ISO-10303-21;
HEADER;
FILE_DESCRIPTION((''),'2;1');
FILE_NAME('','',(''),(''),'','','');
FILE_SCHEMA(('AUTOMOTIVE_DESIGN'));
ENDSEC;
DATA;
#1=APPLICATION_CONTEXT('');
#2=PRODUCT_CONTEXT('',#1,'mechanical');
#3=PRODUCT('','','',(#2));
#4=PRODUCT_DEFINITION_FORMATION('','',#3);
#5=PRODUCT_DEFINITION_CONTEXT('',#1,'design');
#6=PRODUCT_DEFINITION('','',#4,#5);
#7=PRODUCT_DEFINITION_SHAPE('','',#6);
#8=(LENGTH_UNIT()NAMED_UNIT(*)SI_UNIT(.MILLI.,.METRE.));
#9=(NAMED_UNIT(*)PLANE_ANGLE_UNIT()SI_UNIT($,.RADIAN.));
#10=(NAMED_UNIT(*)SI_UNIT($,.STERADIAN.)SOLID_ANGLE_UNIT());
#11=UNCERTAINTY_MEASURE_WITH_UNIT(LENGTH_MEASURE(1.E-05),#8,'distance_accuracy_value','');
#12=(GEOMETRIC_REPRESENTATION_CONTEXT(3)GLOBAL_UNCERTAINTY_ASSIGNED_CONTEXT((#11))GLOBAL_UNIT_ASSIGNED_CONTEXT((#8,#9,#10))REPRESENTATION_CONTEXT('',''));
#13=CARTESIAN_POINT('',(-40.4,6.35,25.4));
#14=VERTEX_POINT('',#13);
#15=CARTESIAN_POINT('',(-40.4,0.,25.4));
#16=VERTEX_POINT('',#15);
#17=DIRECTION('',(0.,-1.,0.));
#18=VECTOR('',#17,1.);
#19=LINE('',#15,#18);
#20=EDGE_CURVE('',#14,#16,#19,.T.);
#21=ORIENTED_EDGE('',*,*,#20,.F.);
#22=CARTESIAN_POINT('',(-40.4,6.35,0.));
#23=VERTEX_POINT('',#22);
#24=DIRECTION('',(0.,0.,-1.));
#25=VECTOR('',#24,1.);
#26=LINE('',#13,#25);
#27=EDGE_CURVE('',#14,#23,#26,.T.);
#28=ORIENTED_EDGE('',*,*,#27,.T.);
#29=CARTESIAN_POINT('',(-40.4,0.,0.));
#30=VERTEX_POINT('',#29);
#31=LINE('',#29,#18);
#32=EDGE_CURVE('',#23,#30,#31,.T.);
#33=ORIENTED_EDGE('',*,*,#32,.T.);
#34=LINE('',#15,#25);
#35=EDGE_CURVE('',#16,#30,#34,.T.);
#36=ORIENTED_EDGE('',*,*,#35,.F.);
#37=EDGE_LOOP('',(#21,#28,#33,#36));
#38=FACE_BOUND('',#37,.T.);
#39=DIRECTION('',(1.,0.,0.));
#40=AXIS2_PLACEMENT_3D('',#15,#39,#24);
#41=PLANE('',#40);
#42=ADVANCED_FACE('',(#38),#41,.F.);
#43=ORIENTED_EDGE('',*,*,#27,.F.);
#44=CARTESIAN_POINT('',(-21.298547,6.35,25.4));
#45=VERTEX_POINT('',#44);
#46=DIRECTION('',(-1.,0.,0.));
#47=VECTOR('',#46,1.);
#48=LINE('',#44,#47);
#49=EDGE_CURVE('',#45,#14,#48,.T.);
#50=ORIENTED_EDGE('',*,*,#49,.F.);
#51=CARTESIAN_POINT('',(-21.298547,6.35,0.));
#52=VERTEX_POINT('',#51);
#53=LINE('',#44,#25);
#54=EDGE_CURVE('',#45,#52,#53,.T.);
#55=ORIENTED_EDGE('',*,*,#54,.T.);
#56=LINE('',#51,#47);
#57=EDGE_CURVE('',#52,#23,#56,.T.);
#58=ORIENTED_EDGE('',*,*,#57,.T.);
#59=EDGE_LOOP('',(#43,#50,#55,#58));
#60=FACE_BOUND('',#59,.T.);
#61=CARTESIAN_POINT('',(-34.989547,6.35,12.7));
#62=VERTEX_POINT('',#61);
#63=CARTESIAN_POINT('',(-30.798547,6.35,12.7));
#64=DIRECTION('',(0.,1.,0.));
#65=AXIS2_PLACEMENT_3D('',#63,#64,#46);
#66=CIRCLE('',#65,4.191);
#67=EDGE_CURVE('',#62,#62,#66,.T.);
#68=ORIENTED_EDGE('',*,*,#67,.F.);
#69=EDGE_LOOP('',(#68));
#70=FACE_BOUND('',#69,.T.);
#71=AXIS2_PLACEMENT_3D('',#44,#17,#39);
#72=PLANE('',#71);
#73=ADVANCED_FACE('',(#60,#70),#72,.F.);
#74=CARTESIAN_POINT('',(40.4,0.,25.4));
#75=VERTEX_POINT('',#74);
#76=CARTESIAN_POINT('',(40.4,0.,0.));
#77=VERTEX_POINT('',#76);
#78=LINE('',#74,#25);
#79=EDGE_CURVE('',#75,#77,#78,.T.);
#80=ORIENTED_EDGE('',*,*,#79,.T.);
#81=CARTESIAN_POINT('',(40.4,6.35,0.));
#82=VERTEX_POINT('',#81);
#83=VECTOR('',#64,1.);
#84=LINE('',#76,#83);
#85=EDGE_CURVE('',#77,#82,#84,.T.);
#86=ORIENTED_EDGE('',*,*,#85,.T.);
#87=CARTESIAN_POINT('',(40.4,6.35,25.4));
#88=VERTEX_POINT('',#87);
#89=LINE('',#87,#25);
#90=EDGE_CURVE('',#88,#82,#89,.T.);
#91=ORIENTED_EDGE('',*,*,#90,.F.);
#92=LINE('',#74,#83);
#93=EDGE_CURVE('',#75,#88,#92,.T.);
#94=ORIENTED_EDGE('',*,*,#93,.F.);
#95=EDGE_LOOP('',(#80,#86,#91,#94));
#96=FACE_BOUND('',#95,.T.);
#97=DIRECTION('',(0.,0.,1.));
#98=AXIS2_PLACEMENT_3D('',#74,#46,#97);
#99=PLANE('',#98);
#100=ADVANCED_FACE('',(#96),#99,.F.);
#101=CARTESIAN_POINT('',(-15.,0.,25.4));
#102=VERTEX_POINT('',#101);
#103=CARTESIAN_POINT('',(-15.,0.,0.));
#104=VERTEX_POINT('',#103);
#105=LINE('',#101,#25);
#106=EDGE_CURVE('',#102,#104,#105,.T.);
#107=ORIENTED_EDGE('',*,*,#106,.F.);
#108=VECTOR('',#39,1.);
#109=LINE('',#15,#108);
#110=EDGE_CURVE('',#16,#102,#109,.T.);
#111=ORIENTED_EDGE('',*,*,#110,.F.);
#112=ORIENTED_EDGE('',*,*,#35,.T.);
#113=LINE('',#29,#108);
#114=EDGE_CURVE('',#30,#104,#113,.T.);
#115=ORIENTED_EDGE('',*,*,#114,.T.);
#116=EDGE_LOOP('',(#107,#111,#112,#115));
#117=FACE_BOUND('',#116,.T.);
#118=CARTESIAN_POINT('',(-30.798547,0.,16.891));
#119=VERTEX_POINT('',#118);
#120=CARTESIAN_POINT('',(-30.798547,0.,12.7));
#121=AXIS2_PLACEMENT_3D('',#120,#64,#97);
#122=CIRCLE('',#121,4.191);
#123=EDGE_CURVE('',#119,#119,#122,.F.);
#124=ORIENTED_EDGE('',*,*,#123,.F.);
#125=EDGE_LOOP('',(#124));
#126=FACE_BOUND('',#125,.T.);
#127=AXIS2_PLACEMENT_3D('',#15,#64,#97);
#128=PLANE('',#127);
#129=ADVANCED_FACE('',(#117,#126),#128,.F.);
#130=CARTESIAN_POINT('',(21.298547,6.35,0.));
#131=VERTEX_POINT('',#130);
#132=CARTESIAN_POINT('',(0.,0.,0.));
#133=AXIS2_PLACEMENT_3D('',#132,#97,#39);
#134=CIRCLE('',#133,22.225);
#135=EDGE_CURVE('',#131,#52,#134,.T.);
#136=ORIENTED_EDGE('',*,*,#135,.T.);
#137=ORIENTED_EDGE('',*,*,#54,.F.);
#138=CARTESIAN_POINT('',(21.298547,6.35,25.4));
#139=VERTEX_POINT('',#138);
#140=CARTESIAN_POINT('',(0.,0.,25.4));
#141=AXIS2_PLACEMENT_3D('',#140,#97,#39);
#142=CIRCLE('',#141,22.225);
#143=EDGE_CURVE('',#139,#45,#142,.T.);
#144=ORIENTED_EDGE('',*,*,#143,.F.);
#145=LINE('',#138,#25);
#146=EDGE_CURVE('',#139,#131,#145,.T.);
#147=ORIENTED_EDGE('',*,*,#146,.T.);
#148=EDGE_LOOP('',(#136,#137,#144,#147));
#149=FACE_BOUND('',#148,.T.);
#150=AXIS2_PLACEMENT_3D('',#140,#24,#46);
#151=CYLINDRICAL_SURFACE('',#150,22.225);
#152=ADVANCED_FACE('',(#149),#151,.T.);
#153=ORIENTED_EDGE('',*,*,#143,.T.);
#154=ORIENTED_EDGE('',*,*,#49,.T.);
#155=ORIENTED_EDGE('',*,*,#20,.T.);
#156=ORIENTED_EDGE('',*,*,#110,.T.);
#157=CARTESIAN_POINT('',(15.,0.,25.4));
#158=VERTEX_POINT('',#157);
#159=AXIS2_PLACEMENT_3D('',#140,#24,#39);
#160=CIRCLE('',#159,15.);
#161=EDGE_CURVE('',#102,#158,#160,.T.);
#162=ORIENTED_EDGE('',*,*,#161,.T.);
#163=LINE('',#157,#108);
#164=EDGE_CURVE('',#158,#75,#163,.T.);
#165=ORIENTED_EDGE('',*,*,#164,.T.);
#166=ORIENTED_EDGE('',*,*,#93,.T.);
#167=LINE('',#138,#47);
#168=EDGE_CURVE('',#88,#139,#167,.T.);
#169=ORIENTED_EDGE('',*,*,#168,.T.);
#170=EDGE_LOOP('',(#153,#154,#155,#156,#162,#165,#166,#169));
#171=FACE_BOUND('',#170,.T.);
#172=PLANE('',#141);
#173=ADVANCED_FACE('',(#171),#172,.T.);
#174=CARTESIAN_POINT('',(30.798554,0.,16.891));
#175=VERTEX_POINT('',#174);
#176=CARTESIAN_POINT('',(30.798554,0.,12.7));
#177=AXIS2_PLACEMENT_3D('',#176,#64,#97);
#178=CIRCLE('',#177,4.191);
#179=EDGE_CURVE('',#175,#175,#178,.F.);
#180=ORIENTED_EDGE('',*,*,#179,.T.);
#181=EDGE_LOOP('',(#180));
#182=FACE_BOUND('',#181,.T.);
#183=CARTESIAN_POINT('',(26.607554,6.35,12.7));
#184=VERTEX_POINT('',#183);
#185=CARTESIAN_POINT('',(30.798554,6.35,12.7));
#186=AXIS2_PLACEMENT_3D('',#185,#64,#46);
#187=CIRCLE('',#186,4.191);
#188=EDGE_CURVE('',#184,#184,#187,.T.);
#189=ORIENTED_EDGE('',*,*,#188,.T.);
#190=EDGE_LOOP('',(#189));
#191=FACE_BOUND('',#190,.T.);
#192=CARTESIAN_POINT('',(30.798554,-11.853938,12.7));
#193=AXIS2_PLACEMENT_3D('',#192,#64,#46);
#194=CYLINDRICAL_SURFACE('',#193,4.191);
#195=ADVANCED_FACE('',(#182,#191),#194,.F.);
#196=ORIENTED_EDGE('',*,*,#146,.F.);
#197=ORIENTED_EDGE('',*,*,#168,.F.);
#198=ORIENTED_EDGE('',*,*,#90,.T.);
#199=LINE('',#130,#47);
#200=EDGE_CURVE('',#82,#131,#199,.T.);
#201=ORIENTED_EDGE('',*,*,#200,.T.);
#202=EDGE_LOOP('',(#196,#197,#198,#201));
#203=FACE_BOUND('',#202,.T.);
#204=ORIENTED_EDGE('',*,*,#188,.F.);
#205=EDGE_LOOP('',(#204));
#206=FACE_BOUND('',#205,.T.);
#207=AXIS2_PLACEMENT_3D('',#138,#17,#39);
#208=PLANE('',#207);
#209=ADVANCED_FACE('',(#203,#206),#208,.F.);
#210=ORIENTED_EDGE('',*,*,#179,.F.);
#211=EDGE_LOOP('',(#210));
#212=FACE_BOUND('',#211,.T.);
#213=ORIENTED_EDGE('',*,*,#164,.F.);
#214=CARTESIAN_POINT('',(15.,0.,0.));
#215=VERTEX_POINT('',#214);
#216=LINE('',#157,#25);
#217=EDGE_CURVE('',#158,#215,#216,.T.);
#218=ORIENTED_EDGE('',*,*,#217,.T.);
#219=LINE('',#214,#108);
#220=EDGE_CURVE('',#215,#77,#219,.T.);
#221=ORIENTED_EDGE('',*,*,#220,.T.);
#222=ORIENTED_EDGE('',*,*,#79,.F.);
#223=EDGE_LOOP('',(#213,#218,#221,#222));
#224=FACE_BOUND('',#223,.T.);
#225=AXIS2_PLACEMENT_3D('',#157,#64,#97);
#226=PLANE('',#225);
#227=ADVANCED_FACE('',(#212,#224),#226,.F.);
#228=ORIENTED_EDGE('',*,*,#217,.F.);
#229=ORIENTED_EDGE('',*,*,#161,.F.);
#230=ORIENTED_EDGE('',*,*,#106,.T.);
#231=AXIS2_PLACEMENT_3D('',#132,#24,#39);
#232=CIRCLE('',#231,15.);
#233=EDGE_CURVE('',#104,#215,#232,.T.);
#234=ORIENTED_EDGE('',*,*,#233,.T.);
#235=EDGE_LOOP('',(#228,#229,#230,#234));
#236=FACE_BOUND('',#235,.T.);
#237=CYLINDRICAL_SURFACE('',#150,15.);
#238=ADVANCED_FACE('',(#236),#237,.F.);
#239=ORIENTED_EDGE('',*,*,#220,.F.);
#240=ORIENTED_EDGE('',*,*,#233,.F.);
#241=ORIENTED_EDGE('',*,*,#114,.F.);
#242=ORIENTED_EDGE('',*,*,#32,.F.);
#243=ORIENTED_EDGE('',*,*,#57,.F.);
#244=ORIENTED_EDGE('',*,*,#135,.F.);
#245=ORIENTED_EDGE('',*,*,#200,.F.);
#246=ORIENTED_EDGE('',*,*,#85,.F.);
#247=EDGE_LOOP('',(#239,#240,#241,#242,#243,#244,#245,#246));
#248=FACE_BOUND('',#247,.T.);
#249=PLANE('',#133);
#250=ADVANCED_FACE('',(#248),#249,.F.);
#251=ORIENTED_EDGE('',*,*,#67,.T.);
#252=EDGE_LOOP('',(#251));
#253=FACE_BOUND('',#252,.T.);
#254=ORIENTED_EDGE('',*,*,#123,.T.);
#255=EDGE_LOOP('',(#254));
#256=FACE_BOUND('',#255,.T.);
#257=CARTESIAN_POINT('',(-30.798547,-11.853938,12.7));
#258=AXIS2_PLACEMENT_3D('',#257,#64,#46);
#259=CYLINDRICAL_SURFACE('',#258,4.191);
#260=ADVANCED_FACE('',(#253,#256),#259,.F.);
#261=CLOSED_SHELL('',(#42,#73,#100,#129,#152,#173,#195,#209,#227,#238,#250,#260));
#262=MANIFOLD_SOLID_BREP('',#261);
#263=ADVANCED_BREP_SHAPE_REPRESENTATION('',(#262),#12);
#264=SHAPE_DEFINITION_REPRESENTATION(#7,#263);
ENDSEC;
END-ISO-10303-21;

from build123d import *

# Parameters (mm, degrees)
BOSS_EXTRUDE1_DEPTH = 25.4
SKETCH2_R           = 4.191
CUT_EXTRUDE1_DEPTH  = 6.35


with BuildPart() as part:
    # Sketch1 → Boss-Extrude1 (new body)
    with BuildSketch(Plane.XY):
        with BuildLine():
            Line((-40.4, 0), (-15, 0))
            ThreePointArc((-15, 0), (0, 15), (15, 0))
            Line((15, 0), (40.4, 0))
            Line((40.4, 0), (40.4, 6.35))
            Line((40.4, 6.35), (21.298547486, 6.35))
            ThreePointArc((21.298547486, 6.35), (0, 22.225), (-21.298547486, 6.35))
            Line((-21.298547486, 6.35), (-40.4, 6.35))
            Line((-40.4, 6.35), (-40.4, 0))
        make_face()
    extrude(amount=BOSS_EXTRUDE1_DEPTH)

    # Sketch2 → Cut-Extrude1 (cut)
    with BuildSketch(Plane(origin=(0, 6.35, 0), x_dir=(1, 0, 0), z_dir=(0, 1, 0))):
        with Locations(Location((-30.798547486, -12.7, 0), (0, 0, 180))):
            Circle(SKETCH2_R)
        with Locations(Location((30.798553886, -12.7, 0), (0, 0, 180))):
            Circle(SKETCH2_R)
    extrude(amount=-CUT_EXTRUDE1_DEPTH, mode=Mode.SUBTRACT)


solid = part.part
